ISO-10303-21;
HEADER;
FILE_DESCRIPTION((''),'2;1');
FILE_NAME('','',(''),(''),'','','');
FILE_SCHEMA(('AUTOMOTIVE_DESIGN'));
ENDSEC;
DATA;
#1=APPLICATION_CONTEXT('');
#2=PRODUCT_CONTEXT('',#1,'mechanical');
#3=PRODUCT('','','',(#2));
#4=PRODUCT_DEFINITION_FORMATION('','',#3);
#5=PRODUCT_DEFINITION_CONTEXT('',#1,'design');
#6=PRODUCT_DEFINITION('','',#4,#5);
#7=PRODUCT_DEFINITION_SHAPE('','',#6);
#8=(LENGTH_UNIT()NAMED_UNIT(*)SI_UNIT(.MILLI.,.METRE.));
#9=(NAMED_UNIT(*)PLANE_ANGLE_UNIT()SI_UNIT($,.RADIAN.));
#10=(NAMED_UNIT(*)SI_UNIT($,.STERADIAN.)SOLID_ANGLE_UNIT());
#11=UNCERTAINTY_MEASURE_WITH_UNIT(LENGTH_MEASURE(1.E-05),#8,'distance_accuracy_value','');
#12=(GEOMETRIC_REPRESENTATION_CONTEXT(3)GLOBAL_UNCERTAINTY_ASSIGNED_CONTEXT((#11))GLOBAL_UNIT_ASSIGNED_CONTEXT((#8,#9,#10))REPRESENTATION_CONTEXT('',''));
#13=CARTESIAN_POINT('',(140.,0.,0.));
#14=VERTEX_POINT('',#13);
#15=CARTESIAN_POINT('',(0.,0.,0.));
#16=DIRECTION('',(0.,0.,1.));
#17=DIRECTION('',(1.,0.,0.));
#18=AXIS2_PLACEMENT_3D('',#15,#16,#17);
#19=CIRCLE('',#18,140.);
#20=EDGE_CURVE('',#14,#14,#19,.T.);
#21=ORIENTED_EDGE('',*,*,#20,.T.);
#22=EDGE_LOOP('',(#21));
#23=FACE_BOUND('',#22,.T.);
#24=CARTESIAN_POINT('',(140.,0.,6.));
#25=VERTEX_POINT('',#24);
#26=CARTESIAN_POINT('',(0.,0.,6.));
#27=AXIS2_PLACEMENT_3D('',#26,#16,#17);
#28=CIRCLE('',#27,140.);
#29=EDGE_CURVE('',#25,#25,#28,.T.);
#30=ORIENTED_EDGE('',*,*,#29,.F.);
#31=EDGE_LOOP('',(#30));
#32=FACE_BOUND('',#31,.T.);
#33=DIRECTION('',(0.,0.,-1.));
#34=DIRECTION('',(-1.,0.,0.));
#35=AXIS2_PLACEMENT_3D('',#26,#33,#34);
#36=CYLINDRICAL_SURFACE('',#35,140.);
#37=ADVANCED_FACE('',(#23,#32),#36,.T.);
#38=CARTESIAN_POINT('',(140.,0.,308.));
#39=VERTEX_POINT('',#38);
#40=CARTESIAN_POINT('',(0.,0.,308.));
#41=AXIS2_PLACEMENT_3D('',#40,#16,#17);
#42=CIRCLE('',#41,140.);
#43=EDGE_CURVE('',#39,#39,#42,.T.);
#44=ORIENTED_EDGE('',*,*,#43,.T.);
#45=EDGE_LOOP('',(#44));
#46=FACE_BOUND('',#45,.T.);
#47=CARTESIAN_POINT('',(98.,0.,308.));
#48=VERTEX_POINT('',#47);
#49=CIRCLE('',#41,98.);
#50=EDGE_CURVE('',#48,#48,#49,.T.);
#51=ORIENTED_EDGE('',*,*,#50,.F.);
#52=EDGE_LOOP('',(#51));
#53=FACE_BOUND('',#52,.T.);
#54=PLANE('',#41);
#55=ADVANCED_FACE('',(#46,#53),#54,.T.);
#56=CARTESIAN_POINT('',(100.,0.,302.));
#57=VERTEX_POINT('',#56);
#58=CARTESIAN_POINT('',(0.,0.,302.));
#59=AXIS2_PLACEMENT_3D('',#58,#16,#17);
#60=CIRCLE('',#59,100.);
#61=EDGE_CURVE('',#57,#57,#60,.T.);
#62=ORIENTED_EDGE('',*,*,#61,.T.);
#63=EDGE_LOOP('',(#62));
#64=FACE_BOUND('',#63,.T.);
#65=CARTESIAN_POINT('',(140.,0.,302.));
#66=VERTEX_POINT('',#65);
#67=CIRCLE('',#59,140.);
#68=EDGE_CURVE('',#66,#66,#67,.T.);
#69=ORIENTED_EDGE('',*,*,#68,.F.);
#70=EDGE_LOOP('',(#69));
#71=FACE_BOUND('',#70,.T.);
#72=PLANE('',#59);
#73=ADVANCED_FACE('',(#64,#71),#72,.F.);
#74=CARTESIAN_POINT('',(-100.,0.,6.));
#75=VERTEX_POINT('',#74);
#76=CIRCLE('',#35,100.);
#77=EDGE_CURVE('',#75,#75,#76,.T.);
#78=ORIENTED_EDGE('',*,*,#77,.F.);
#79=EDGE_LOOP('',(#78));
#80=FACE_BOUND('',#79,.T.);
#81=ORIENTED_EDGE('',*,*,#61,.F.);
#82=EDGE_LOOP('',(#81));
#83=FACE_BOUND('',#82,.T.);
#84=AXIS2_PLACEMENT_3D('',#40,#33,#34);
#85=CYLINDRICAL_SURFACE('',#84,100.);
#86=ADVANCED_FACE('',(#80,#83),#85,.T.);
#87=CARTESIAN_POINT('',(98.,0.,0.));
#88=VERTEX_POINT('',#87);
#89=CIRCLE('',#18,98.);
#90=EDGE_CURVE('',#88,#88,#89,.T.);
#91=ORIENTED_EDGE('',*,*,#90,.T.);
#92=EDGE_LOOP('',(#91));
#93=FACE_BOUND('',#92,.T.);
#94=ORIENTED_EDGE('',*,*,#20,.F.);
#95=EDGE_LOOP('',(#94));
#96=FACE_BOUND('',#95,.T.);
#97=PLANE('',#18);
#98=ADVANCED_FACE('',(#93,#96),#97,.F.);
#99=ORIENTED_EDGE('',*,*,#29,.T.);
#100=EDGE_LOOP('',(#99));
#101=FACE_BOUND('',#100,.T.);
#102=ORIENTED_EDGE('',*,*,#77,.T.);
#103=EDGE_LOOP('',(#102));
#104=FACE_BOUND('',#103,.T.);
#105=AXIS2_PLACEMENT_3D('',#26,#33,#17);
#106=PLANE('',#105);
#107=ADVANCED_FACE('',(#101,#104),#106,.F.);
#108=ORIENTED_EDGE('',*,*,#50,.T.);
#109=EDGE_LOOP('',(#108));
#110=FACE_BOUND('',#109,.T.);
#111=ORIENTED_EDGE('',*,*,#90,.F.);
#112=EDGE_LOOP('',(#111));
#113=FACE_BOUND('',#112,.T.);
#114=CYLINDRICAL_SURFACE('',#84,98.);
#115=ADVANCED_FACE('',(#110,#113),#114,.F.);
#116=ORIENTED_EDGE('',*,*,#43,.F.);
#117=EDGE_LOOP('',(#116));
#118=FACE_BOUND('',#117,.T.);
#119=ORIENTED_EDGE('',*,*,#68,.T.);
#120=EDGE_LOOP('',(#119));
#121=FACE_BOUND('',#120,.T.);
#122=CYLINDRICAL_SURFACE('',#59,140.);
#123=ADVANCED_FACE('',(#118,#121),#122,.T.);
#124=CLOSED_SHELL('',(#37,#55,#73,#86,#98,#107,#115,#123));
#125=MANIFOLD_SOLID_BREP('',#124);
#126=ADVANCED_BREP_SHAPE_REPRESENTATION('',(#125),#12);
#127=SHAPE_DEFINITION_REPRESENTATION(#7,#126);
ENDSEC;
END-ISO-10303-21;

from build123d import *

# Parameters (mm, degrees)
SKETCH1_R           = 100
SKETCH1_R_2         = 98
EXTRUDE_THIN1_DEPTH = 308
SKETCH2_R           = 140
SKETCH2_R_2         = 100
BOSS_EXTRUDE1_DEPTH = 6


with BuildPart() as part:
    # Sketch1 → Extrude-Thin1 (new body)
    with BuildSketch(Plane.XY):
        Circle(SKETCH1_R)
        Circle(SKETCH1_R_2, mode=Mode.SUBTRACT)
    extrude_thin1 = extrude(amount=EXTRUDE_THIN1_DEPTH)

    # Sketch2 → Boss-Extrude1 (add)
    with BuildSketch(Plane.XY.offset(308)):
        Circle(SKETCH2_R)
        Circle(SKETCH2_R_2, mode=Mode.SUBTRACT)
    boss_extrude1 = extrude(amount=-BOSS_EXTRUDE1_DEPTH)

    # Mirror1: Extrude-Thin1, Boss-Extrude1 across plane
    add(extrude_thin1.mirror(Plane(origin=(0, 0, 154), x_dir=(1, 0, 0), z_dir=(0, 0, -1))))
    add(boss_extrude1.mirror(Plane(origin=(0, 0, 154), x_dir=(1, 0, 0), z_dir=(0, 0, -1))))


solid = part.part
